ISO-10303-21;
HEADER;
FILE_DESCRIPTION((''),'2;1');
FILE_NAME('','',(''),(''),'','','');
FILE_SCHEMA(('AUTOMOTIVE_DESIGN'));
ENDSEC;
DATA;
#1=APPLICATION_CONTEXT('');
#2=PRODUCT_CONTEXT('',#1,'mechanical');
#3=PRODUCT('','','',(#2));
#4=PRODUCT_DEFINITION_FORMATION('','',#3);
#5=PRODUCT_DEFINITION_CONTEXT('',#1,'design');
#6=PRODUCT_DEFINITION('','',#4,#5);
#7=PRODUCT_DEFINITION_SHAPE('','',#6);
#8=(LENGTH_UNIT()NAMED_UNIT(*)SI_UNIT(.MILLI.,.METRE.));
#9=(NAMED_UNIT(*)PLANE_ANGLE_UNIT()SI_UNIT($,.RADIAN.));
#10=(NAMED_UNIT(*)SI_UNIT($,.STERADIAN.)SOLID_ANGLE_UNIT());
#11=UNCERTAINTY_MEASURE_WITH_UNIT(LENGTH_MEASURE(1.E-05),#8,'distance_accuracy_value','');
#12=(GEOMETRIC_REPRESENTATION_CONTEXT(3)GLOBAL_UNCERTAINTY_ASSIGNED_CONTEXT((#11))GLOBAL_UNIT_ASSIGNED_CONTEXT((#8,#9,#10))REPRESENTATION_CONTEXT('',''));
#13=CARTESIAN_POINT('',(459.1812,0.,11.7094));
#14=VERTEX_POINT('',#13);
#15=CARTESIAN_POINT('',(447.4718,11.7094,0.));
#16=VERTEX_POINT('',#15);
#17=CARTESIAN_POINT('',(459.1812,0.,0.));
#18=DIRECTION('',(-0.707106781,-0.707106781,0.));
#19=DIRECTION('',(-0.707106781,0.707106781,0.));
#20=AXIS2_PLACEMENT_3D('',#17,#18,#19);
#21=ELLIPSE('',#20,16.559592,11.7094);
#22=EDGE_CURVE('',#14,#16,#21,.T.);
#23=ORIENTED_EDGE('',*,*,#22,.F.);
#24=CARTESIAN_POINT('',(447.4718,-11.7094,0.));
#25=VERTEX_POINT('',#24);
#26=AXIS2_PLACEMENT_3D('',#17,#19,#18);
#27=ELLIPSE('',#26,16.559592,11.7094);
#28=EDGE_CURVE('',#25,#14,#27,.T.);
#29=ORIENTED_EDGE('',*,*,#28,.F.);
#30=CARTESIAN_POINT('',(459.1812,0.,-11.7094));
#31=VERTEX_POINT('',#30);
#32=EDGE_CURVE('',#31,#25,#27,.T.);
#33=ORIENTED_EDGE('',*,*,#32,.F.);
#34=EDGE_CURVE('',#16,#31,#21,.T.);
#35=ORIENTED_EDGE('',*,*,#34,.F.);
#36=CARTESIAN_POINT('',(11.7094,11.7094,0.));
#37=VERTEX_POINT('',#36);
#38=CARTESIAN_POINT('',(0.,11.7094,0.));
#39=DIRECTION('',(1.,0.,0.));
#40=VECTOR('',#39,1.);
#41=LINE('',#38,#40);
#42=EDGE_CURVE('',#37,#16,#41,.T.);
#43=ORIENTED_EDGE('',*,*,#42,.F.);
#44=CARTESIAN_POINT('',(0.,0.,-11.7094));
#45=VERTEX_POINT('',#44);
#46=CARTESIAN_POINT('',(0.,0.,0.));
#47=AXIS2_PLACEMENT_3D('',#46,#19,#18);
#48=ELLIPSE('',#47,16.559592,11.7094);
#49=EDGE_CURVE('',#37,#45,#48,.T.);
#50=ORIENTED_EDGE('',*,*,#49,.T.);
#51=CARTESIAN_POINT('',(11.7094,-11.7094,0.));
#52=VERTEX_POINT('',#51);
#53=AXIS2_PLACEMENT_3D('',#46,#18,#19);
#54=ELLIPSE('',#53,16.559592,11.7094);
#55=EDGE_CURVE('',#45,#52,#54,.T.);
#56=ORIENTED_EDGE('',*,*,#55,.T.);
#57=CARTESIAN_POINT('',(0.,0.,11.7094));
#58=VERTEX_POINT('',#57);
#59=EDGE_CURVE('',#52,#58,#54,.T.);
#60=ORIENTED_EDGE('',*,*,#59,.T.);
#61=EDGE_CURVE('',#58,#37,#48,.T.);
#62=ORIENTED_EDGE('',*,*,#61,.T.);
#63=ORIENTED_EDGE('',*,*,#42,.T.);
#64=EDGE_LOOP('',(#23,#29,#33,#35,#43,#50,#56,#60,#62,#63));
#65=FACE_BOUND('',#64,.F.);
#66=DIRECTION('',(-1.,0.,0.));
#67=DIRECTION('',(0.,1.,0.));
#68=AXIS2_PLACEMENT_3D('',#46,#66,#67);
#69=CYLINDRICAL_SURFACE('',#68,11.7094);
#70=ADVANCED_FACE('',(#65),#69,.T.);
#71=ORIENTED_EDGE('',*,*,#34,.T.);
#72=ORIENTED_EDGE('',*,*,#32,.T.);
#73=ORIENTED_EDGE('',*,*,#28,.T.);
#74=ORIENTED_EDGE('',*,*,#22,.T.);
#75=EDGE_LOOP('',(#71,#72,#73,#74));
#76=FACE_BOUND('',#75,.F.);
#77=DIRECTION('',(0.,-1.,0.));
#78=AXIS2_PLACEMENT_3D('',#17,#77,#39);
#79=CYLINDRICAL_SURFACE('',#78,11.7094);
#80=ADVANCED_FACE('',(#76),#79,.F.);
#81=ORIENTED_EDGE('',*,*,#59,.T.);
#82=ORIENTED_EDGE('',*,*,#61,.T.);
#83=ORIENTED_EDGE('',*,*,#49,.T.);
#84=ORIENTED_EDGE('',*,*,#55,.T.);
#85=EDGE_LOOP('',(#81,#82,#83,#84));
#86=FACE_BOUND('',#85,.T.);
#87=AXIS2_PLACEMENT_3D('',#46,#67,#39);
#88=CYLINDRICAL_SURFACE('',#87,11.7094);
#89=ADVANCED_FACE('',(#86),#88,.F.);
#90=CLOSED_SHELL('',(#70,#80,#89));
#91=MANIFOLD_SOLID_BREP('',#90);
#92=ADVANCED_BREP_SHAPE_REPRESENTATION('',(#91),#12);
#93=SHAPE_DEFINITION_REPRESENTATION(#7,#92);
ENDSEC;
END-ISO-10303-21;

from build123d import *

# Parameters (mm, degrees)
F0_R          = 11.7094
F1_DEPTH      = 459.1812
F2_R          = 11.7094
F3_DEPTH      = 11.7104
F3_DEPTH_BACK = 11.7104


with BuildPart() as f1:
    # F0 (on Right) → F1 (new body)
    with BuildSketch(Plane.YZ):
        Circle(F0_R)
    extrude(amount=F1_DEPTH)

    # F2 (on Front) → F3 (cut, two sides)
    with BuildSketch(Plane.XZ) as f3_sk:
        Circle(F2_R)
        with Locations((459.1812, 0)):
            Circle(F2_R)
    extrude(amount=-F3_DEPTH, mode=Mode.SUBTRACT)
    extrude(f3_sk.sketch, amount=F3_DEPTH_BACK, mode=Mode.SUBTRACT)


solid = f1.part
